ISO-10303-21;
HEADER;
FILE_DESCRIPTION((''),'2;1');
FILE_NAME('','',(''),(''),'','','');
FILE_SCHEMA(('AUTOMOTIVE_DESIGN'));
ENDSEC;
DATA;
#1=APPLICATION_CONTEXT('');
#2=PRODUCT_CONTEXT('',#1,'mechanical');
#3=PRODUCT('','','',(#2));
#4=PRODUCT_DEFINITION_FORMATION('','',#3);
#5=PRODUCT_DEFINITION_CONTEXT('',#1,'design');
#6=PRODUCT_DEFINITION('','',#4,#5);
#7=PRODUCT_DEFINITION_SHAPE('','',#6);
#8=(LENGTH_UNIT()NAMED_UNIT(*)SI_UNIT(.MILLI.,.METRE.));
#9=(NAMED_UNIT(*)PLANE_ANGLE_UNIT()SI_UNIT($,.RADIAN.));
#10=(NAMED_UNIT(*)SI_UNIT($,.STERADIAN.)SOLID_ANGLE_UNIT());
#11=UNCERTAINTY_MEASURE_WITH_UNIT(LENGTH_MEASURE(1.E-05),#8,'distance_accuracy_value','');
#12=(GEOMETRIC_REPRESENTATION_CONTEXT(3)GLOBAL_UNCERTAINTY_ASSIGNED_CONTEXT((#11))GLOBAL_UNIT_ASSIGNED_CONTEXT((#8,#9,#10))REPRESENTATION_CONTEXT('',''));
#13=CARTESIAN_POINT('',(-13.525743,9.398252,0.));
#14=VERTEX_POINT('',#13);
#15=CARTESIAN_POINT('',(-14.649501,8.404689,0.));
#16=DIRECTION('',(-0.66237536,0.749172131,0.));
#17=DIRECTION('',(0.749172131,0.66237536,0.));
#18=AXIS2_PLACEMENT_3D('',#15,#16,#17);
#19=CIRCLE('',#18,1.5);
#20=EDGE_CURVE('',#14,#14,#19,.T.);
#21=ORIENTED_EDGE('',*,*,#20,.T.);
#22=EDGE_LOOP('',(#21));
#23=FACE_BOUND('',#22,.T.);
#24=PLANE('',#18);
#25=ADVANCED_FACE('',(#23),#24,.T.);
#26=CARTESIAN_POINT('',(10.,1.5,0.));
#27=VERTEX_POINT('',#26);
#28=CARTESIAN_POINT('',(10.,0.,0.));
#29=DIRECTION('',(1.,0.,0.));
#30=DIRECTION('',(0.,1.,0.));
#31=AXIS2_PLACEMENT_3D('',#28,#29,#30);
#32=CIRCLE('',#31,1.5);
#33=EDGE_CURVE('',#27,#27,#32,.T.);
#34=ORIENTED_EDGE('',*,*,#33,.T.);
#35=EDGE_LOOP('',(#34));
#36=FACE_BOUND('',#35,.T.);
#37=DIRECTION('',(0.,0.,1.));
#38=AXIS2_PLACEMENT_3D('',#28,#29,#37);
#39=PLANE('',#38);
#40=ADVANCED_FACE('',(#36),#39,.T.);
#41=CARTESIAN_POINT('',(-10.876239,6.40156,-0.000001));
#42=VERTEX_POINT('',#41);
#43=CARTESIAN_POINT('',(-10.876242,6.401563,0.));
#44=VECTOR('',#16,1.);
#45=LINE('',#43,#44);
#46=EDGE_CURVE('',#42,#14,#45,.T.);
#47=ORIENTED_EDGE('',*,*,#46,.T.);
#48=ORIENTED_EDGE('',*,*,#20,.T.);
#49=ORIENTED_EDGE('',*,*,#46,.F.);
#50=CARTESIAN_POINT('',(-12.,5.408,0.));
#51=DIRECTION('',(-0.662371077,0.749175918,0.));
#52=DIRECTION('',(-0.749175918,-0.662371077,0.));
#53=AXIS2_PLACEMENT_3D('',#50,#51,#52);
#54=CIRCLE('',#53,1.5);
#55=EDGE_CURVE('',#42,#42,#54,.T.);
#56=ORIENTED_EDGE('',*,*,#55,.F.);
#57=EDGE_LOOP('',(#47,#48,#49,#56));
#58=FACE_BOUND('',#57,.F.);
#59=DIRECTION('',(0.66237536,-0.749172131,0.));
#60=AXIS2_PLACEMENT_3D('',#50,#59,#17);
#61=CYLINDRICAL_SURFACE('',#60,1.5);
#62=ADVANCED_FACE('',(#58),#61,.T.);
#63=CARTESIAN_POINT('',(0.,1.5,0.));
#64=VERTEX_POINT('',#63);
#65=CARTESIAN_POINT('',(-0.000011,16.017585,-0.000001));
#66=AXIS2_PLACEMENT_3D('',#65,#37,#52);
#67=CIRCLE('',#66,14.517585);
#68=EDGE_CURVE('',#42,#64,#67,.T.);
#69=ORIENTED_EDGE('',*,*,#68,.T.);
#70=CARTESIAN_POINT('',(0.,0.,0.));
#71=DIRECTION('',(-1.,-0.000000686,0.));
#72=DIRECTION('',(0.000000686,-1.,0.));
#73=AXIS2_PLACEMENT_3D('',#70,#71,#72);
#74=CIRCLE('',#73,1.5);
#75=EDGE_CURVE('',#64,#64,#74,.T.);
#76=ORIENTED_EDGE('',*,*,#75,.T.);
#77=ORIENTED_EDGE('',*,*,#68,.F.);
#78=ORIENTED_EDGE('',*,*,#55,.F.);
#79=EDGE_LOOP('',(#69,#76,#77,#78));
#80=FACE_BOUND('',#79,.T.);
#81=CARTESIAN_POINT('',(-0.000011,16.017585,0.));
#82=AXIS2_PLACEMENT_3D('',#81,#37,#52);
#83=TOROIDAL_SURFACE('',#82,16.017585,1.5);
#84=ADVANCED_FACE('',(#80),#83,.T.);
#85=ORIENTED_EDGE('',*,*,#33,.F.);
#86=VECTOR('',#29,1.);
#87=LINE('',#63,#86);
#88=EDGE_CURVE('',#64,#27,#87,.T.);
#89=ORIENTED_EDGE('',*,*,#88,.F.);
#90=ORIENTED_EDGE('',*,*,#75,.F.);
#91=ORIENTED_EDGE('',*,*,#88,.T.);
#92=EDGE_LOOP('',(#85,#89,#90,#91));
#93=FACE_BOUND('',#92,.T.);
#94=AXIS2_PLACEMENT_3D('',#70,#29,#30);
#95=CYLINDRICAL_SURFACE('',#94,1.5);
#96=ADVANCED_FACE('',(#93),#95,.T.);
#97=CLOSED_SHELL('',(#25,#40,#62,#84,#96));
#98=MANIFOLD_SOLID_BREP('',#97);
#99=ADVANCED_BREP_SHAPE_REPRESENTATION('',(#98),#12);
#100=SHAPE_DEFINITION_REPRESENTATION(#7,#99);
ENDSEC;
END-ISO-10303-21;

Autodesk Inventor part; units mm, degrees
ref_plane "YZ Plane" through (0, 0, 0) normal (1, 0, 0) x (0, 1, 0)
ref_plane "XZ Plane" through (0, 0, 0) normal (0, 1, 0) x (-1, 0, 0)
ref_plane "XY Plane" through (0, 0, 0) normal (0, 0, 1) x (1, 0, 0)
sketch "Sketch1" plane through (0, 0, 0) normal (0, 0, 1) x (1, 0, 0)
  line L0 (0, 0) -> (10, 0)
  arc A0 (-12, 5.408) -> (0, 0) centre (0, 16.0176) ccw
  dimension "d3" = 10
  dimension "d4" = 12
sketch "Sketch2" plane through (0, 0, 0) normal (1, 0, 0) x (0, 1, 0)
  circle A0 centre (0, 0) radius 1.5
  dimension "d0" = 3
sweep "Sweep1" add profiles "Sketch2" path "Sketch1"
sketch "Sketch3" plane through (-12, 5.408, 0) normal (-0.6624, 0.7492, 0) x (0.7492, 0.6624, 0)
  circle A0 centre (0, 0) radius 1.5 projected
  point P0 (5.408, 0)
extrude "Extrusion1" add sketch "Sketch3" along normal blind 4
properties part number "Landing_gear_pin" material "ABS Plastic"
